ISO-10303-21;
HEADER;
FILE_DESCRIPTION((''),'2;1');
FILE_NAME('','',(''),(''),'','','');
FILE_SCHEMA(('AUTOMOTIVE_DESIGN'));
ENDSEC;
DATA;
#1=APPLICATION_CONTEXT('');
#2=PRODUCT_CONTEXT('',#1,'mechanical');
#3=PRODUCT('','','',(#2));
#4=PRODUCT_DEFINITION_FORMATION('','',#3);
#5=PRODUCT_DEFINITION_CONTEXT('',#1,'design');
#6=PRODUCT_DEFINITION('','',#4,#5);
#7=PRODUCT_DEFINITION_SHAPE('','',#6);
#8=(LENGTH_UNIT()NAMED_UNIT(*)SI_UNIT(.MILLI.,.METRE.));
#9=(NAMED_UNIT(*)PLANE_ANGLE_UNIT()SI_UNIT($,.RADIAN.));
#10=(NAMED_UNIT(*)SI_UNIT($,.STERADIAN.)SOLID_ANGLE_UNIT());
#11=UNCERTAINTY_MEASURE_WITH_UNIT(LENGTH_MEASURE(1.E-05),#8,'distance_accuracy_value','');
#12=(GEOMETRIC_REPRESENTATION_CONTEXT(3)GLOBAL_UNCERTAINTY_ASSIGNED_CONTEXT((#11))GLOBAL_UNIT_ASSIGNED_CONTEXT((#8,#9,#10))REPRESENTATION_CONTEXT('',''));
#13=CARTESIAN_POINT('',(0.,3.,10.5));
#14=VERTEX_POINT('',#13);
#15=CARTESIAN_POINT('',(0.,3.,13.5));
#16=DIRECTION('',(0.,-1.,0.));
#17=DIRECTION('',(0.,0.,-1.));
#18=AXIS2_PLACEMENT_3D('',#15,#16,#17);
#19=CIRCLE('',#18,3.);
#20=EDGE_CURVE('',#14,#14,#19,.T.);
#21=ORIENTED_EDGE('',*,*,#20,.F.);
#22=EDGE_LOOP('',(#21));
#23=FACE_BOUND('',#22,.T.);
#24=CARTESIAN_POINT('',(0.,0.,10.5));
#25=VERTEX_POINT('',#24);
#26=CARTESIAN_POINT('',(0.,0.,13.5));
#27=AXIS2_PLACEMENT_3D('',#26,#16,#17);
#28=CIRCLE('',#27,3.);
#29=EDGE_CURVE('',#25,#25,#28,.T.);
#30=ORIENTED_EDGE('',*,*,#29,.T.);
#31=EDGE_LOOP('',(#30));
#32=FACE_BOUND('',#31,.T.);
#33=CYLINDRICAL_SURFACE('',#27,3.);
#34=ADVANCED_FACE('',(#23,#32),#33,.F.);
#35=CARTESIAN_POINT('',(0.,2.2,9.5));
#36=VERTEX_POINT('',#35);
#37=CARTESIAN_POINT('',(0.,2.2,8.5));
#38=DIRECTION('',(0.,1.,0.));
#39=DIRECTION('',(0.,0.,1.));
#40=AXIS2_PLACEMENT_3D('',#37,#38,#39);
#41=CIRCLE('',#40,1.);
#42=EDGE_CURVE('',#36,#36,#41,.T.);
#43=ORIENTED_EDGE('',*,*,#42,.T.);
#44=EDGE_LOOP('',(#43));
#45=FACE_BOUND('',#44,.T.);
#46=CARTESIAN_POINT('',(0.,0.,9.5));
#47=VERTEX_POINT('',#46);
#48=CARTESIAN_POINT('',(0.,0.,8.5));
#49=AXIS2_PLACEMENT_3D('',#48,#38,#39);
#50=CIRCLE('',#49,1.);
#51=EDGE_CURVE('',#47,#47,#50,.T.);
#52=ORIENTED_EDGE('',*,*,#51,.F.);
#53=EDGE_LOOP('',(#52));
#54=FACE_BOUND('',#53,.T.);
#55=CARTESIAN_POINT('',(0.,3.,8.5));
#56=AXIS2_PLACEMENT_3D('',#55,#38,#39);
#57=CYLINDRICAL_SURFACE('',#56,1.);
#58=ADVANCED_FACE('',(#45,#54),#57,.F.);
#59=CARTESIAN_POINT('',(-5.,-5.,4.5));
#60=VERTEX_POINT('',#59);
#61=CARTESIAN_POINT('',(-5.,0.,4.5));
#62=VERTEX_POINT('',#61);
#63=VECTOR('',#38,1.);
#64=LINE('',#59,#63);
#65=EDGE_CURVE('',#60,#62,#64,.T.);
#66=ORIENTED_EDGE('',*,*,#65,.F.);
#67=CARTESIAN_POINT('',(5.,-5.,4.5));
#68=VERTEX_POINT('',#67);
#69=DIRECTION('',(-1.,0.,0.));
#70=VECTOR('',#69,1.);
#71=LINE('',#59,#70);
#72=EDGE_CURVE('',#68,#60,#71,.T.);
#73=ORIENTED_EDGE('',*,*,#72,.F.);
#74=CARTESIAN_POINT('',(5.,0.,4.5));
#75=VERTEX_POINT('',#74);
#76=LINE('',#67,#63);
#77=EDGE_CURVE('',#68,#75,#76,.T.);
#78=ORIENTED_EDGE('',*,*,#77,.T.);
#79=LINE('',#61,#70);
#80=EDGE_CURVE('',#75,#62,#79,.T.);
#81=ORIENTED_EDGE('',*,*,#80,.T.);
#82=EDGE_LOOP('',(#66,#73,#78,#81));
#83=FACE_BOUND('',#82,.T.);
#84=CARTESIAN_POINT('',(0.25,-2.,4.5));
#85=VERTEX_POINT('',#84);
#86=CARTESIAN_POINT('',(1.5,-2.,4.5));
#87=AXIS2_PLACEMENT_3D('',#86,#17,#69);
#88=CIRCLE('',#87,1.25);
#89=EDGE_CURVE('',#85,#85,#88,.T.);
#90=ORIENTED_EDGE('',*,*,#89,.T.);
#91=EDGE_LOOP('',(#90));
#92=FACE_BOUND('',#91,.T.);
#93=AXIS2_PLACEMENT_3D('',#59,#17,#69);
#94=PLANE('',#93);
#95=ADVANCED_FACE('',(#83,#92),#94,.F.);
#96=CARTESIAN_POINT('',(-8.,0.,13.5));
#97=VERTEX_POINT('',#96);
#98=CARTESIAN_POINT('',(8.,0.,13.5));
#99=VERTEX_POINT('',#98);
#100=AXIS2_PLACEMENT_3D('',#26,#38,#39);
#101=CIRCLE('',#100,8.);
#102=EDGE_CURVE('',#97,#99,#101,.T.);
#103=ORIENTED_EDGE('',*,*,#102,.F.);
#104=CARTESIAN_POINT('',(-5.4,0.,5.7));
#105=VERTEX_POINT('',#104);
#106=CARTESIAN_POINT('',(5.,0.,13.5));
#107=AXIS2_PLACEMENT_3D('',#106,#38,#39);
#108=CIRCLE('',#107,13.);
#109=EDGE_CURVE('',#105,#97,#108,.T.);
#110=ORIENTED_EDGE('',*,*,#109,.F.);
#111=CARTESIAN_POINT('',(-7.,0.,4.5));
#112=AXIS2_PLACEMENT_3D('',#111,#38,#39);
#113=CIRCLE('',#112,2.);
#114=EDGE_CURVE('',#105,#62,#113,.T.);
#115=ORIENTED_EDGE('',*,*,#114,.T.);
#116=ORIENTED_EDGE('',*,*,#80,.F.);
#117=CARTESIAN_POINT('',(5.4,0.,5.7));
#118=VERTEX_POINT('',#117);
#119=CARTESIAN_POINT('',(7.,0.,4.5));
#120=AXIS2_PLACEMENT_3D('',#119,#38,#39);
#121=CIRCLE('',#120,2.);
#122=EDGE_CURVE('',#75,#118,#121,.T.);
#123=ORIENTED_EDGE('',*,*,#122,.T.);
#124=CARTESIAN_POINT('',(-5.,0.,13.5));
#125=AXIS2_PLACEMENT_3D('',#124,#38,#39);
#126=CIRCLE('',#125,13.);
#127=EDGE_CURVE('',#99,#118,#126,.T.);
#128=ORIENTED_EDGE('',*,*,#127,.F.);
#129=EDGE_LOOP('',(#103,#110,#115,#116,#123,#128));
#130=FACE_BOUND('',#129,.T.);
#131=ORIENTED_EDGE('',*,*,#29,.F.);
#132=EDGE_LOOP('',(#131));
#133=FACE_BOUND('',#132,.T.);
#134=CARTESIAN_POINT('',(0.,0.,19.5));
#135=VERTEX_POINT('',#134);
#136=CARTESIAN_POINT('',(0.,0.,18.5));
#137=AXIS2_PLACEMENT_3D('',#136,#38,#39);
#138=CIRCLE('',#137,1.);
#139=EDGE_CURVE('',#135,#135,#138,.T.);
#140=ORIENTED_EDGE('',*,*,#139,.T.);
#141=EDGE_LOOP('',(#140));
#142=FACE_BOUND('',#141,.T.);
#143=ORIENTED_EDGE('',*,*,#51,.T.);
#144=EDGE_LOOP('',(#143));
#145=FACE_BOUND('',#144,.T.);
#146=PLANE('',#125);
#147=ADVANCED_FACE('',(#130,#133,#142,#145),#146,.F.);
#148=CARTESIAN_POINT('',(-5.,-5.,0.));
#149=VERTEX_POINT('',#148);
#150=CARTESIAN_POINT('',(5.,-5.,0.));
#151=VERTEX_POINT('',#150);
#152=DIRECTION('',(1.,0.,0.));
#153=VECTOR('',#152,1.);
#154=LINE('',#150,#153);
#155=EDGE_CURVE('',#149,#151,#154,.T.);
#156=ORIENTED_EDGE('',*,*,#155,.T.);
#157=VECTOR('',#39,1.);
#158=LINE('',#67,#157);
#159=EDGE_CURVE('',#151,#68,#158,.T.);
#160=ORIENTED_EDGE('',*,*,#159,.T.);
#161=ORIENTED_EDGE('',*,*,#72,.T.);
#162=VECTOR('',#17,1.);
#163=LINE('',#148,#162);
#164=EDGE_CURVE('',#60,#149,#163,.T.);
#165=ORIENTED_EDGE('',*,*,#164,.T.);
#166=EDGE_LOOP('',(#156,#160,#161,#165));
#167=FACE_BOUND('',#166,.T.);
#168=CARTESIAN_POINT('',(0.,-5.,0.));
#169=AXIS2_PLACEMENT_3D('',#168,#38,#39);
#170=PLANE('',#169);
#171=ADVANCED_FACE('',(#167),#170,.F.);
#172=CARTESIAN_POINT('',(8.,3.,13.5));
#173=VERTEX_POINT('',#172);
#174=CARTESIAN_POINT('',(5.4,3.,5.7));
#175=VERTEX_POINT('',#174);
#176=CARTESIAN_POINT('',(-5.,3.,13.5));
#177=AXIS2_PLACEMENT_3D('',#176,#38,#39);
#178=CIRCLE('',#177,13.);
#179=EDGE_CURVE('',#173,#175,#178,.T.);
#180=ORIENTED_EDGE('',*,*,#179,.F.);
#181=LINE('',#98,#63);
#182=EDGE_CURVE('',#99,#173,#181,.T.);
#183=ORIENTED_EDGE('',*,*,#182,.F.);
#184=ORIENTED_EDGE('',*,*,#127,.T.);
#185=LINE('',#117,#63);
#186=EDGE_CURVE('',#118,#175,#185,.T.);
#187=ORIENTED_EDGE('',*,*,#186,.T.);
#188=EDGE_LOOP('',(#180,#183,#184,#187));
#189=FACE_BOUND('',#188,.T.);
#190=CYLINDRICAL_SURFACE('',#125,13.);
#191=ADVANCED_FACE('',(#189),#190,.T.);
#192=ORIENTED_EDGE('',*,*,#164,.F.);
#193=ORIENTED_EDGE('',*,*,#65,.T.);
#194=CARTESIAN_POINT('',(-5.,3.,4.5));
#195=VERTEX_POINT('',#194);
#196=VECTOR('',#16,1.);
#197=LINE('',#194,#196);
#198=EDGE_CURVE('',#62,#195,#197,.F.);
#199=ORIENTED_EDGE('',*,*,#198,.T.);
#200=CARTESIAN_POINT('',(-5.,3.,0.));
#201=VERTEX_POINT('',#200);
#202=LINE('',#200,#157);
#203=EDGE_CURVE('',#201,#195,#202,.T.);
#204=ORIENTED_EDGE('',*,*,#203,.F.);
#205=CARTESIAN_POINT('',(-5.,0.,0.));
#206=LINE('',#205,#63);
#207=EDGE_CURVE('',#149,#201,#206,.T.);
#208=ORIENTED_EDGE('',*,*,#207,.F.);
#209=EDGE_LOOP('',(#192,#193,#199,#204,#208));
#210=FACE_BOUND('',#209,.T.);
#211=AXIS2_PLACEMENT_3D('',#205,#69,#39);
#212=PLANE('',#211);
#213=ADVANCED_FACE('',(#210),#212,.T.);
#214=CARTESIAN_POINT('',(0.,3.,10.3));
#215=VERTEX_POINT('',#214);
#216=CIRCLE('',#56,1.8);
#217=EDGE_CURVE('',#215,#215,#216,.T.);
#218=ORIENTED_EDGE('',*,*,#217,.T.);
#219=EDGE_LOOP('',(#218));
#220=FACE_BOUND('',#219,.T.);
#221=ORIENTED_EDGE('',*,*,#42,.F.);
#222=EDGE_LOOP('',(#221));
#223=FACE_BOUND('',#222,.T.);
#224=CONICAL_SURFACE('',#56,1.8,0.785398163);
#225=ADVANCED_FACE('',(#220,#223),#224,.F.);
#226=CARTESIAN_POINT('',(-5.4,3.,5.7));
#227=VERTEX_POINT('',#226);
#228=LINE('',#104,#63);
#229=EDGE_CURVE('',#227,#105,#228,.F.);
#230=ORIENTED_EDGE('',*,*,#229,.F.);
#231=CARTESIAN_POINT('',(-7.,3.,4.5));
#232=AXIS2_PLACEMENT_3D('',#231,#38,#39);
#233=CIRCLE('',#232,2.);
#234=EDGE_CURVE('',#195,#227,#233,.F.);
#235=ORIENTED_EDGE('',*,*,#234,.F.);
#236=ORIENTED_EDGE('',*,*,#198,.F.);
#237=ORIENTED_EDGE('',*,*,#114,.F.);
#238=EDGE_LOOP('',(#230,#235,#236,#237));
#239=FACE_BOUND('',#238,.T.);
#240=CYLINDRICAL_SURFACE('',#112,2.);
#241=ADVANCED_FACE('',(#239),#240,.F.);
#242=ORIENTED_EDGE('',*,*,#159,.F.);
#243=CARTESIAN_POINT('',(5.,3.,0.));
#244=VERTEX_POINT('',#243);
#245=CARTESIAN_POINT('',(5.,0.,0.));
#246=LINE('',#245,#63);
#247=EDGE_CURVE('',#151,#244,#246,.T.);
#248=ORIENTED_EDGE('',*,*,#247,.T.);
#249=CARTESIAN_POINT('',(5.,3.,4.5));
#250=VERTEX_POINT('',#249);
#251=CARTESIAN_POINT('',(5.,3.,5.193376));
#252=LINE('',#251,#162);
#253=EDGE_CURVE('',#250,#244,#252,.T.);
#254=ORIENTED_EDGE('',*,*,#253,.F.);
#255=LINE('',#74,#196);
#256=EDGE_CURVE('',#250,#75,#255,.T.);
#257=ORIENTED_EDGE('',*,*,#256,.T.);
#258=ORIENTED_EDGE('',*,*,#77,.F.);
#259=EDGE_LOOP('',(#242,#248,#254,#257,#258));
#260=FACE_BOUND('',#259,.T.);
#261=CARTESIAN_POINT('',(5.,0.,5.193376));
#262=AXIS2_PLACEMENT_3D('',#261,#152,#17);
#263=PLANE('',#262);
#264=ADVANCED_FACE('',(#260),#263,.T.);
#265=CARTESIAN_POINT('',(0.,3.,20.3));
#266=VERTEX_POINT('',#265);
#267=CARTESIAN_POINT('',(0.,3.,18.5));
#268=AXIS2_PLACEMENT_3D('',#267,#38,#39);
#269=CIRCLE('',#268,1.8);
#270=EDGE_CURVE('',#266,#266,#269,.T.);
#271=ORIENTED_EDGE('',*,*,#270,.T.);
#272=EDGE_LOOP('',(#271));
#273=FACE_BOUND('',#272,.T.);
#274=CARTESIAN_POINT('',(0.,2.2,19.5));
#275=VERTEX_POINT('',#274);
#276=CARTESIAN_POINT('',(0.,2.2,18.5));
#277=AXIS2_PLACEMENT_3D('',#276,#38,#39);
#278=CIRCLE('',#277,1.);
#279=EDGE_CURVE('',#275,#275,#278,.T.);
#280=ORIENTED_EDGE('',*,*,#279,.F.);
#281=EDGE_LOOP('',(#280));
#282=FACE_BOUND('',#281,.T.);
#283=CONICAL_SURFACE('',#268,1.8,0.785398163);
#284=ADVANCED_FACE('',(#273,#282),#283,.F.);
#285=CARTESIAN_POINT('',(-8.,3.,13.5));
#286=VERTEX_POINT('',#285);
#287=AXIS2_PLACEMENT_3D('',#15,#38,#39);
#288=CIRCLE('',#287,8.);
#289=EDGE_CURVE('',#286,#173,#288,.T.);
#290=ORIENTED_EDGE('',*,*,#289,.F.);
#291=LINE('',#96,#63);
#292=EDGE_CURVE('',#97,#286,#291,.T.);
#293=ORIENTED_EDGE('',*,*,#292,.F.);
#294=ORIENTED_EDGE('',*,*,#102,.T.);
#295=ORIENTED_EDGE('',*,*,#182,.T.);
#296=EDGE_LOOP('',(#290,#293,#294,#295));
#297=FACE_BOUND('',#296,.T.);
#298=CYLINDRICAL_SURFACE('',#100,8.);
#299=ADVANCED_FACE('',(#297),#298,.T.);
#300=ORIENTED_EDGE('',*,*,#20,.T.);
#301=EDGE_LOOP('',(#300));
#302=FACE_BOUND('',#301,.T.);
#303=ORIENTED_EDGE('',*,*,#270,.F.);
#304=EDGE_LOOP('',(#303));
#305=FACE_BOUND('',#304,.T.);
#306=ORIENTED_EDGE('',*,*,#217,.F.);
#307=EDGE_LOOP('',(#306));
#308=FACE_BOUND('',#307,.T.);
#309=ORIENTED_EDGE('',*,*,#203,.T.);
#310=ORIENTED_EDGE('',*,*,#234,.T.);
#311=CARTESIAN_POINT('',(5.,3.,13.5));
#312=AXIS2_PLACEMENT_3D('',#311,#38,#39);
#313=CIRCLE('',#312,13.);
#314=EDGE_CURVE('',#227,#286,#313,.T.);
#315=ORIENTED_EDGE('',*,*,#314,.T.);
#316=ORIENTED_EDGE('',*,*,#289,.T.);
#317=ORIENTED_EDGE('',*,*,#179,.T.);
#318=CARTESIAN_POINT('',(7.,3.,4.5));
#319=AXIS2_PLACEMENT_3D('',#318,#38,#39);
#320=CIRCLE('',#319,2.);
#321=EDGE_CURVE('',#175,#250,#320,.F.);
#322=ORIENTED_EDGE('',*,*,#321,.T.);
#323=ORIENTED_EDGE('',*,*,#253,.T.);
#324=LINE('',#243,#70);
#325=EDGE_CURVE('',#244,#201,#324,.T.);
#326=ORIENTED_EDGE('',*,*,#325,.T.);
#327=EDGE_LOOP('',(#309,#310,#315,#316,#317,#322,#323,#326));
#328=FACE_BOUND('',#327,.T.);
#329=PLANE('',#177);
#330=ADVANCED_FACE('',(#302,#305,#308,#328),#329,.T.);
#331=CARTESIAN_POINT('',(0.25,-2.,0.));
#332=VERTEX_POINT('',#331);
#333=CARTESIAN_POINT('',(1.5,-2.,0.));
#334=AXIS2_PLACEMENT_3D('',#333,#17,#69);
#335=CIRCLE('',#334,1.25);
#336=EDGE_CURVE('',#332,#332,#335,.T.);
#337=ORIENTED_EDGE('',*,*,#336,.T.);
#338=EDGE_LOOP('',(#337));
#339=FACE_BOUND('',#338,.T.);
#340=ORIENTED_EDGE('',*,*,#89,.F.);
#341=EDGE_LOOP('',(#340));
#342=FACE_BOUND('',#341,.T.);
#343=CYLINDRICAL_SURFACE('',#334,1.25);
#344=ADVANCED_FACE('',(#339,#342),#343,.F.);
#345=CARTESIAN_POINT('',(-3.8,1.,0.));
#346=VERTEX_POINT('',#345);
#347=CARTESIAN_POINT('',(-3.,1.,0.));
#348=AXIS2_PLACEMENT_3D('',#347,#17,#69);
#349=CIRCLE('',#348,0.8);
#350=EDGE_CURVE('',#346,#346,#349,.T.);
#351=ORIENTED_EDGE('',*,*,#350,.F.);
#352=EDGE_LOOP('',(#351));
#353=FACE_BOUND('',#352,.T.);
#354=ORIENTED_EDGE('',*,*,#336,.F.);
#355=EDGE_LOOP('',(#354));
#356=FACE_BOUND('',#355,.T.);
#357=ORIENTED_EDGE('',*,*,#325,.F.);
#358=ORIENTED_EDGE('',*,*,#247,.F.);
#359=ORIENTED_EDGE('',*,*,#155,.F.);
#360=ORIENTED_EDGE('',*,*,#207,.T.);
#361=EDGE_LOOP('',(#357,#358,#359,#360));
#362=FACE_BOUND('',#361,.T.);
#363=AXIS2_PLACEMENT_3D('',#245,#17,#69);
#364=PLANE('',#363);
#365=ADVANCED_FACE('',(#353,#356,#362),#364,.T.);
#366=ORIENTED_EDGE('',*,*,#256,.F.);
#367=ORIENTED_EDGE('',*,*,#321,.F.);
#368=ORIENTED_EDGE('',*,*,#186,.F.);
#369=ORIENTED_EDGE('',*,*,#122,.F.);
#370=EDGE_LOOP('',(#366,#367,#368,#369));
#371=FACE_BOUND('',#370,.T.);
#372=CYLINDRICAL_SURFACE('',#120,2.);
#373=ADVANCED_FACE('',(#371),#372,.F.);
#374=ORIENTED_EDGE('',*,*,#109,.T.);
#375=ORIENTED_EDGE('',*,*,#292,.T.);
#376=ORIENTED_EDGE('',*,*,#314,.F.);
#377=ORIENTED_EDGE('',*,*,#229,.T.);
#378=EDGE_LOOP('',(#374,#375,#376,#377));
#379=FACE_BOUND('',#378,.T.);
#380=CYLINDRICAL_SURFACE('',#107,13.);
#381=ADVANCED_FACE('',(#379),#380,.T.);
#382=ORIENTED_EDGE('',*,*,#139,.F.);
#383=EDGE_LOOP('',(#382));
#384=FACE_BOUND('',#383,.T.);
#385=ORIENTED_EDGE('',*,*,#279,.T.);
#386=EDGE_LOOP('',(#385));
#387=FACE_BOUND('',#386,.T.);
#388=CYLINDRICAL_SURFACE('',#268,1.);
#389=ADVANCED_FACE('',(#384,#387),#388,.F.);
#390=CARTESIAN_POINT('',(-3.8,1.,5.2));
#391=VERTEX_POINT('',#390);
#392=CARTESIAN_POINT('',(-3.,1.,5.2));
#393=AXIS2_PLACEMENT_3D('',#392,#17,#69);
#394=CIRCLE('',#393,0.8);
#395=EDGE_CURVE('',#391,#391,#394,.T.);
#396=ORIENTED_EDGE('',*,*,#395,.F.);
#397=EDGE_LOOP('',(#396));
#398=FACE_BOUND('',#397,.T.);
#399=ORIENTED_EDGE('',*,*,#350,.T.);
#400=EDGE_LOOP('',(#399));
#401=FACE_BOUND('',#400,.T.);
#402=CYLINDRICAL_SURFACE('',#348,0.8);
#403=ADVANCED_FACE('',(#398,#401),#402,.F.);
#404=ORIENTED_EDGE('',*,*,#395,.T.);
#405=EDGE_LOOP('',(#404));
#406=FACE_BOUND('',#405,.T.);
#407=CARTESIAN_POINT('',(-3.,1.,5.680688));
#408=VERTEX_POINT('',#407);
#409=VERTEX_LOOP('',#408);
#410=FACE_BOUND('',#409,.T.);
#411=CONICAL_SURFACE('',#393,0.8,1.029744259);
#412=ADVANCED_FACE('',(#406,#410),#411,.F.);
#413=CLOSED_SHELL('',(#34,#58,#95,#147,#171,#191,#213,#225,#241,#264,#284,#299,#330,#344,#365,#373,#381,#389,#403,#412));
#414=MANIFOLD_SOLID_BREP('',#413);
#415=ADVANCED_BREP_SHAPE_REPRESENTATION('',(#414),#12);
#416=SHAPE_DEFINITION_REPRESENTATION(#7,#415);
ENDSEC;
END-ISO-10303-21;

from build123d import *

# Parameters (mm, degrees)
BOSS_EXTRUDE1_DEPTH           = 3
SKETCH2_W                     = 10
SKETCH2_H                     = 4.5
BOSS_EXTRUDE2_DEPTH           = 5
F_6_0_6_DIAMETER_HOLE1_D      = 6
M3X0_5_TAPPED_HOLE1_D         = 2.5
M2X0_4_TAPPED_HOLE1_D         = 1.6
M2X0_4_TAPPED_HOLE1_DEPTH     = 5.2
M2X0_4_TAPPED_HOLE1_TIP       = 0.480688495
FILLET1_R                     = 2
CSK_FOR_M3_SFHCS3_D           = 2
CSK_FOR_M3_SFHCS3_DEPTH       = 9.5
CSK_FOR_M3_SFHCS3_CSINK_D     = 3.6
CSK_FOR_M3_SFHCS3_CSINK_ANGLE = 90
CSK_FOR_M3_SFHCS3_TIP         = 0.600860619


with BuildPart() as part:
    # Sketch1 → Boss-Extrude1 (new body)
    with BuildSketch(Plane(origin=(0, 3, 0), x_dir=(1, 0, 0), z_dir=(0, 1, 0))):
        with BuildLine():
            Line((5.000000003, -5.193376137), (5.000000003, 0))
            Line((5.000000003, 0), (-4.999999997, 0))
            Line((-4.999999997, 0), (-4.999999997, -5.193376137))
            ThreePointArc((-4.999999997, -5.193376137), (-7.227019257, -9.084119567), (-7.999999997, -13.5))
            ThreePointArc((-7.999999997, -13.5), (3e-09, -21.5), (8.000000003, -13.5))
            ThreePointArc((8.000000003, -13.5), (7.227019264, -9.084119567), (5.000000003, -5.193376137))
        make_face()
    extrude(amount=-BOSS_EXTRUDE1_DEPTH)

    # Sketch2 → Boss-Extrude2 (add)
    with BuildSketch(Plane.XZ):
        with Locations((0, 2.25)):
            Rectangle(SKETCH2_W, SKETCH2_H)
    extrude(amount=BOSS_EXTRUDE2_DEPTH)

    # Ø6.0 (6) Diameter Hole1 (through all)
    with Locations(Plane(origin=(0, 0, 0), x_dir=(-1, 0, 0), z_dir=(0, -1, 0))):
        with Locations((0, -13.5)):
            Hole(F_6_0_6_DIAMETER_HOLE1_D / 2)

    # M3x0.5 Tapped Hole1 (through all)
    with Locations(Plane(origin=(0, 0, 0), x_dir=(-1, 0, 0), z_dir=(0, 0, -1))):
        with Locations((-1.5, -2)):
            Hole(M3X0_5_TAPPED_HOLE1_D / 2)

    # M2x0.4 Tapped Hole1
    with Locations(Plane(origin=(0, 0, 0), x_dir=(-1, 0, 0), z_dir=(0, 0, -1))):
        with Locations((3, 1)):
            Hole(M2X0_4_TAPPED_HOLE1_D / 2, depth=M2X0_4_TAPPED_HOLE1_DEPTH)
            with Locations((0, 0, -(M2X0_4_TAPPED_HOLE1_DEPTH + M2X0_4_TAPPED_HOLE1_TIP / 2))):  # 118° drill point
                Cone(0, M2X0_4_TAPPED_HOLE1_D / 2, M2X0_4_TAPPED_HOLE1_TIP, mode=Mode.SUBTRACT)

    # Fillet1
    fillet1_edges = [part.edges().sort_by_distance(p)[0] for p in [
        (5.000000003, 1.5, 5.193376137),
        (-4.999999997, 1.5, 5.193376137),
    ]]
    fillet(fillet1_edges, radius=FILLET1_R)

    # CSK for M3 SFHCS3
    with Locations(Plane(origin=(3e-09, 3, 8.5), x_dir=(0, 0, 1), z_dir=(0, 1, 0))):
        with Locations((0, 0), (10, 0)):
            CounterSinkHole(CSK_FOR_M3_SFHCS3_D / 2, CSK_FOR_M3_SFHCS3_CSINK_D / 2, depth=CSK_FOR_M3_SFHCS3_DEPTH, counter_sink_angle=CSK_FOR_M3_SFHCS3_CSINK_ANGLE)
            with Locations((0, 0, -(CSK_FOR_M3_SFHCS3_DEPTH + CSK_FOR_M3_SFHCS3_TIP / 2))):  # 118° drill point
                Cone(0, CSK_FOR_M3_SFHCS3_D / 2, CSK_FOR_M3_SFHCS3_TIP, mode=Mode.SUBTRACT)


solid = part.part
